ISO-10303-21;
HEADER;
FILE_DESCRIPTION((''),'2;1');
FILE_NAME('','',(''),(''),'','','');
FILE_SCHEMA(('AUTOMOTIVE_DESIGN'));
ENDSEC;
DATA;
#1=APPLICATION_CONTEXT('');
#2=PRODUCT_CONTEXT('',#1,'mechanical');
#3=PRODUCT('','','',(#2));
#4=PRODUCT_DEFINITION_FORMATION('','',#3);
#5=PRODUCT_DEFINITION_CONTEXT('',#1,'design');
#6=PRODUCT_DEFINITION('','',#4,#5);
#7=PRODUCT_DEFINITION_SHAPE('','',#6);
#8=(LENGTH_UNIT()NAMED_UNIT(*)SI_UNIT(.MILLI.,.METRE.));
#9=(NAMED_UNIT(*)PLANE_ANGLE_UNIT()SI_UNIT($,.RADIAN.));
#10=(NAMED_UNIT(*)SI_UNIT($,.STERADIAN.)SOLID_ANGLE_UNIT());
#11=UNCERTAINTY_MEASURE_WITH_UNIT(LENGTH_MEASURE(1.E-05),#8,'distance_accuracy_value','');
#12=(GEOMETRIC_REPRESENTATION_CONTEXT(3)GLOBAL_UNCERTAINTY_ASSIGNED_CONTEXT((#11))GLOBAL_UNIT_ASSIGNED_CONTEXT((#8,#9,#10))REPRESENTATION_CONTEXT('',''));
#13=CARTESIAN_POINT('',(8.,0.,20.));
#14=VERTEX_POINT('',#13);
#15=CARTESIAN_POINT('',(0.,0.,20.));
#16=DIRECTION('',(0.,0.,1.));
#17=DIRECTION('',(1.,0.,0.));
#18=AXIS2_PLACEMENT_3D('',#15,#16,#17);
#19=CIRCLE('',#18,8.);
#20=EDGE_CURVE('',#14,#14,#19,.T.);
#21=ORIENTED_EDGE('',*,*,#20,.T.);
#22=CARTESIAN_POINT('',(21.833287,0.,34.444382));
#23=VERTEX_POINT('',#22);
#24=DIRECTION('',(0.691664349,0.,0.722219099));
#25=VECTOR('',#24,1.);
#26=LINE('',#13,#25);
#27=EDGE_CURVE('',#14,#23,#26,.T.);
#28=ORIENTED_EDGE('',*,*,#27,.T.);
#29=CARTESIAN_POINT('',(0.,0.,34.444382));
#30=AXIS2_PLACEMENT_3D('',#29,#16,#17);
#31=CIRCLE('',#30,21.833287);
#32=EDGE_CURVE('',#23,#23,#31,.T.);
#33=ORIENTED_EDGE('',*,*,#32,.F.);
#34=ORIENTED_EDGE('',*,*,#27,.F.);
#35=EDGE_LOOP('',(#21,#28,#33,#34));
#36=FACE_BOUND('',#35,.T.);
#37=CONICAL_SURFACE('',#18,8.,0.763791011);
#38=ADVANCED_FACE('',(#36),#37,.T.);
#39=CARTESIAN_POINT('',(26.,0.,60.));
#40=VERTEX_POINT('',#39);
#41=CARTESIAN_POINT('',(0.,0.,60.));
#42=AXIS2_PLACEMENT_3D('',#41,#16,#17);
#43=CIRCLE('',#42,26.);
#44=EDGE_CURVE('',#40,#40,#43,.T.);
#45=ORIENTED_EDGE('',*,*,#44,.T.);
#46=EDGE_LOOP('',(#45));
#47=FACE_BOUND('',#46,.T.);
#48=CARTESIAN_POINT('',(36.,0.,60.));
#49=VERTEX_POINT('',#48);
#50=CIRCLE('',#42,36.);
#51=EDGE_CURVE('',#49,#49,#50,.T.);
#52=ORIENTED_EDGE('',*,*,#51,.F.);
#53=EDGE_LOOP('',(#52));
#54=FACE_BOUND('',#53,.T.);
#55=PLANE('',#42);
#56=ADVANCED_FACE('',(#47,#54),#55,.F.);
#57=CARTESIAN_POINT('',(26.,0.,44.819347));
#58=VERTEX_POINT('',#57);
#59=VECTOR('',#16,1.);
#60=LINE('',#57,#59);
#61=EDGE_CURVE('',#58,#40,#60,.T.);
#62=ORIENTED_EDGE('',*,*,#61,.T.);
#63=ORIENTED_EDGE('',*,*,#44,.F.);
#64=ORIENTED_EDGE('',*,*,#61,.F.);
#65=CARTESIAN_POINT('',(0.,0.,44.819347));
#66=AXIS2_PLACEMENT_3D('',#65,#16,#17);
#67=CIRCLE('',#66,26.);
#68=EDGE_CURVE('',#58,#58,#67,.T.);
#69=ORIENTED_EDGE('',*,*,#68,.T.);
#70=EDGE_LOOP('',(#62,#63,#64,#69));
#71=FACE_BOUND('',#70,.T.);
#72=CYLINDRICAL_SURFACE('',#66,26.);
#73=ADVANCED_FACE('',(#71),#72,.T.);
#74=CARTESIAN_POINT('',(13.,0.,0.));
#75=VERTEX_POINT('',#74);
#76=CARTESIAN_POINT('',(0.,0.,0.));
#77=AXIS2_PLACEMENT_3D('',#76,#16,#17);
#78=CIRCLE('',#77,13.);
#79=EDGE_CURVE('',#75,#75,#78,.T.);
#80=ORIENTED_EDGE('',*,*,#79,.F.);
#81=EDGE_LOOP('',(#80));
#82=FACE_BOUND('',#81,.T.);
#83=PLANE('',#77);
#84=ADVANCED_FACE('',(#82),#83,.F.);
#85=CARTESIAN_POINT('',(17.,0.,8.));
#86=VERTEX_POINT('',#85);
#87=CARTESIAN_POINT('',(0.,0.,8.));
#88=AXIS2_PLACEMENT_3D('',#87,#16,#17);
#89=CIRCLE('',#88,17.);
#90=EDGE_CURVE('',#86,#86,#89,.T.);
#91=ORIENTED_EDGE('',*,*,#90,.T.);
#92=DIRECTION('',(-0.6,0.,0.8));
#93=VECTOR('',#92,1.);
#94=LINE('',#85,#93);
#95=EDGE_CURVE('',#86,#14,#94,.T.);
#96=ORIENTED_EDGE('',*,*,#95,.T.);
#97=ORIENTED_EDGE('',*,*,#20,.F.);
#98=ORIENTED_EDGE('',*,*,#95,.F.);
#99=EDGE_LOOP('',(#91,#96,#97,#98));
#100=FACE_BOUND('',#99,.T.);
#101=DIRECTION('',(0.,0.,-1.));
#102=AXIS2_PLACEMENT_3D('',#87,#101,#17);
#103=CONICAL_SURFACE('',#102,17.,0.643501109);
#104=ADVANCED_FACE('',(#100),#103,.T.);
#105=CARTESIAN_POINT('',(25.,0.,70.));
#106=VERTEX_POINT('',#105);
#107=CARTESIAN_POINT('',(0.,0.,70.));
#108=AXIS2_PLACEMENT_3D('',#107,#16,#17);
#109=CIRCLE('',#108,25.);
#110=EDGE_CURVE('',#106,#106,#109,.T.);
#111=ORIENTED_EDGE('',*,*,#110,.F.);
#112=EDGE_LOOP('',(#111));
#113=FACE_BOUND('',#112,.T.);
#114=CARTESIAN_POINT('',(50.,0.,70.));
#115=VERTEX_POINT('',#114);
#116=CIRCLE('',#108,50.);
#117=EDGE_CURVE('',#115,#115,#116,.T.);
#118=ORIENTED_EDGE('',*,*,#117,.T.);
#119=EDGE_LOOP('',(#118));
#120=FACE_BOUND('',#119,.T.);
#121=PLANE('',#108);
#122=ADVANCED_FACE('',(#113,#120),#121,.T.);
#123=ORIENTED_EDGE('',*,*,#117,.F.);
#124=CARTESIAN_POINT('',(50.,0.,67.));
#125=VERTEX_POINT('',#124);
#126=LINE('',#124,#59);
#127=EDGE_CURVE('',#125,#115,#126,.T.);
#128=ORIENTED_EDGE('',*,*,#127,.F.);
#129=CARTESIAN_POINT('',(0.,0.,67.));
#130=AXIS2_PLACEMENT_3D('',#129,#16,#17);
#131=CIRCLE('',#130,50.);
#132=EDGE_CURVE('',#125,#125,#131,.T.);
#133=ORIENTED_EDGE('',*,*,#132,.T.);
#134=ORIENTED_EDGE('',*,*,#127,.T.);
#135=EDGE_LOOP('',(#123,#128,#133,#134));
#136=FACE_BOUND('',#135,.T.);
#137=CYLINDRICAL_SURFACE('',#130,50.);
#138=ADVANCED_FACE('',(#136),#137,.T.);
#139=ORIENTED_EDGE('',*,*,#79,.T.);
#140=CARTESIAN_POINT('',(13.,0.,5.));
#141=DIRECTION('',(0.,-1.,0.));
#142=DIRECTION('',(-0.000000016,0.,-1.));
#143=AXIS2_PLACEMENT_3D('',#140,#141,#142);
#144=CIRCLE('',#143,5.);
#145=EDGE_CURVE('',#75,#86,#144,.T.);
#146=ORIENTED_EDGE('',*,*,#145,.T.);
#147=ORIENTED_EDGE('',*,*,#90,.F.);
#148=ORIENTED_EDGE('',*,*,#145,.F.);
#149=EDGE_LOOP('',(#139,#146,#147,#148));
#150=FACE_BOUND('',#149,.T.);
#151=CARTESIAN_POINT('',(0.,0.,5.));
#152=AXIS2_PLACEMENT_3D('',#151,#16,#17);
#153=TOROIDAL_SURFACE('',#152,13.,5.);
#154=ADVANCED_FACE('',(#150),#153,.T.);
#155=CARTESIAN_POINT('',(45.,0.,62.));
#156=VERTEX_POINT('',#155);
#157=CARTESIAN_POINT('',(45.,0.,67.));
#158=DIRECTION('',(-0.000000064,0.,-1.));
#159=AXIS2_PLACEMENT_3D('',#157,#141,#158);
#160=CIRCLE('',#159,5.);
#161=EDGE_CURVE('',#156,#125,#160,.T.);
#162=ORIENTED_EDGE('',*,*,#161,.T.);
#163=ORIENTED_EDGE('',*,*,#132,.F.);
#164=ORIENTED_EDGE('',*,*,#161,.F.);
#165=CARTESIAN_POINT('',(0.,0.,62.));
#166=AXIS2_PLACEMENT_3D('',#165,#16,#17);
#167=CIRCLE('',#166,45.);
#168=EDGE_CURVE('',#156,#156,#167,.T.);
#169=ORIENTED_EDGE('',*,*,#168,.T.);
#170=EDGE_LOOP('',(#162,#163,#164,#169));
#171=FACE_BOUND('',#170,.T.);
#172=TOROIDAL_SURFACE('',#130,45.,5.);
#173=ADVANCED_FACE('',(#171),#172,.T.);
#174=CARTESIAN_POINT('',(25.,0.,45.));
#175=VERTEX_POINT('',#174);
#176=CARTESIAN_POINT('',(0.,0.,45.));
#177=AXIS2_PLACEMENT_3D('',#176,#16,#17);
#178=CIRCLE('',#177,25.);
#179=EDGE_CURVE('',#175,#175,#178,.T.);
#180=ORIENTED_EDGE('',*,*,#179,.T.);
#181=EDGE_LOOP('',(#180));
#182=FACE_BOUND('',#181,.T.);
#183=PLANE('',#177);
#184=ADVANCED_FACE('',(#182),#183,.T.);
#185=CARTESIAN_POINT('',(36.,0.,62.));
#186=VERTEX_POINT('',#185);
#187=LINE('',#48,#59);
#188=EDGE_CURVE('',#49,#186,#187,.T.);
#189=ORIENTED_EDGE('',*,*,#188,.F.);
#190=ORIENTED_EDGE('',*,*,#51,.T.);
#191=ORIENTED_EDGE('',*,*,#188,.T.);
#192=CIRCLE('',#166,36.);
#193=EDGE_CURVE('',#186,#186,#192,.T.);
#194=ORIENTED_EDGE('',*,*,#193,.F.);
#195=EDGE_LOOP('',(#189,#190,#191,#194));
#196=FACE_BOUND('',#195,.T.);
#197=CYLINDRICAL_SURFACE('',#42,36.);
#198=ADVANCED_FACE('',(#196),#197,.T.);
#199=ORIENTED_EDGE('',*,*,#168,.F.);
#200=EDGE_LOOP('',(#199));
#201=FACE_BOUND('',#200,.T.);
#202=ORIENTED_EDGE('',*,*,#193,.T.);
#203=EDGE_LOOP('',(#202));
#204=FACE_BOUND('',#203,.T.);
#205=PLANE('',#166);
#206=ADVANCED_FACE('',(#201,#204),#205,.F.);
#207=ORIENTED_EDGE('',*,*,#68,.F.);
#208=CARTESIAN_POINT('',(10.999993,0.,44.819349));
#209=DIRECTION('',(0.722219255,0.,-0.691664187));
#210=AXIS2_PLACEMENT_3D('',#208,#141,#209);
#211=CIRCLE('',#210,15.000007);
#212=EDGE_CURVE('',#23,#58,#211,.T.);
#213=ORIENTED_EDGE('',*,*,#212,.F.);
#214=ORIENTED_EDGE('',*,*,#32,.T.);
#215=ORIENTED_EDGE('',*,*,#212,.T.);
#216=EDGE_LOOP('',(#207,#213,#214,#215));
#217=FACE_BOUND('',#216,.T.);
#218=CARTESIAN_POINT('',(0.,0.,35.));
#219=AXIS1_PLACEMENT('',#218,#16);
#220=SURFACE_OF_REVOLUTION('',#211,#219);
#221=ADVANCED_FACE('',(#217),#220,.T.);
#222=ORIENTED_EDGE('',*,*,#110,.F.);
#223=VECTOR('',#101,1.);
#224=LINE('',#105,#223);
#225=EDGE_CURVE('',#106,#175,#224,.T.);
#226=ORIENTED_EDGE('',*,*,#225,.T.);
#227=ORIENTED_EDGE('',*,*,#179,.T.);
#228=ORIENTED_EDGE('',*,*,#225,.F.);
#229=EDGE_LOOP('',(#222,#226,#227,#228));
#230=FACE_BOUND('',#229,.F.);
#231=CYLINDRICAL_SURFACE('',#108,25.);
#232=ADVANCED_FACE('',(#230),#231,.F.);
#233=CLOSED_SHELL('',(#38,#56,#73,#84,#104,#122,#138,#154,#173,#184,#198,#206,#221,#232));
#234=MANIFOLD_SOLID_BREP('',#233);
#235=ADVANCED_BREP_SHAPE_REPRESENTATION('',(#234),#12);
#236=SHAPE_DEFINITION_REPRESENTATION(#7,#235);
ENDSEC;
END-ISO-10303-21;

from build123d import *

# Parameters (mm, degrees)
F2_R     = 25
F3_DEPTH = 25


with BuildPart() as f1:
    # F0 (on Front) → F1 (revolve)
    with BuildSketch(Plane.XZ):
        with BuildLine():
            Line((50, 70), (0, 70))
            Line((0, 70), (0, 0))
            Line((0, 0), (13, 0))
            ThreePointArc((13, 0), (17.472136, 2.763932), (17, 8))
            Line((17, 8), (8, 20))
            Line((8, 20), (21.833287, 34.444382))
            ThreePointArc((21.833287, 34.444382), (24.919398, 39.229146), (26, 44.819347))
            Line((26, 44.819347), (26, 60))
            Line((26, 60), (36, 60))
            Line((36, 60), (36, 62))
            Line((36, 62), (45, 62))
            ThreePointArc((45, 62), (48.535534, 63.464466), (50, 67))
            Line((50, 67), (50, 70))
        make_face()
    revolve(axis=Axis((0, 0, 35), (0, 0, 1)))

    # F2 (on face) → F3 (cut)
    with BuildSketch(Plane.XY.offset(70)):
        Circle(F2_R)
    extrude(amount=-F3_DEPTH, mode=Mode.SUBTRACT)


solid = f1.part
